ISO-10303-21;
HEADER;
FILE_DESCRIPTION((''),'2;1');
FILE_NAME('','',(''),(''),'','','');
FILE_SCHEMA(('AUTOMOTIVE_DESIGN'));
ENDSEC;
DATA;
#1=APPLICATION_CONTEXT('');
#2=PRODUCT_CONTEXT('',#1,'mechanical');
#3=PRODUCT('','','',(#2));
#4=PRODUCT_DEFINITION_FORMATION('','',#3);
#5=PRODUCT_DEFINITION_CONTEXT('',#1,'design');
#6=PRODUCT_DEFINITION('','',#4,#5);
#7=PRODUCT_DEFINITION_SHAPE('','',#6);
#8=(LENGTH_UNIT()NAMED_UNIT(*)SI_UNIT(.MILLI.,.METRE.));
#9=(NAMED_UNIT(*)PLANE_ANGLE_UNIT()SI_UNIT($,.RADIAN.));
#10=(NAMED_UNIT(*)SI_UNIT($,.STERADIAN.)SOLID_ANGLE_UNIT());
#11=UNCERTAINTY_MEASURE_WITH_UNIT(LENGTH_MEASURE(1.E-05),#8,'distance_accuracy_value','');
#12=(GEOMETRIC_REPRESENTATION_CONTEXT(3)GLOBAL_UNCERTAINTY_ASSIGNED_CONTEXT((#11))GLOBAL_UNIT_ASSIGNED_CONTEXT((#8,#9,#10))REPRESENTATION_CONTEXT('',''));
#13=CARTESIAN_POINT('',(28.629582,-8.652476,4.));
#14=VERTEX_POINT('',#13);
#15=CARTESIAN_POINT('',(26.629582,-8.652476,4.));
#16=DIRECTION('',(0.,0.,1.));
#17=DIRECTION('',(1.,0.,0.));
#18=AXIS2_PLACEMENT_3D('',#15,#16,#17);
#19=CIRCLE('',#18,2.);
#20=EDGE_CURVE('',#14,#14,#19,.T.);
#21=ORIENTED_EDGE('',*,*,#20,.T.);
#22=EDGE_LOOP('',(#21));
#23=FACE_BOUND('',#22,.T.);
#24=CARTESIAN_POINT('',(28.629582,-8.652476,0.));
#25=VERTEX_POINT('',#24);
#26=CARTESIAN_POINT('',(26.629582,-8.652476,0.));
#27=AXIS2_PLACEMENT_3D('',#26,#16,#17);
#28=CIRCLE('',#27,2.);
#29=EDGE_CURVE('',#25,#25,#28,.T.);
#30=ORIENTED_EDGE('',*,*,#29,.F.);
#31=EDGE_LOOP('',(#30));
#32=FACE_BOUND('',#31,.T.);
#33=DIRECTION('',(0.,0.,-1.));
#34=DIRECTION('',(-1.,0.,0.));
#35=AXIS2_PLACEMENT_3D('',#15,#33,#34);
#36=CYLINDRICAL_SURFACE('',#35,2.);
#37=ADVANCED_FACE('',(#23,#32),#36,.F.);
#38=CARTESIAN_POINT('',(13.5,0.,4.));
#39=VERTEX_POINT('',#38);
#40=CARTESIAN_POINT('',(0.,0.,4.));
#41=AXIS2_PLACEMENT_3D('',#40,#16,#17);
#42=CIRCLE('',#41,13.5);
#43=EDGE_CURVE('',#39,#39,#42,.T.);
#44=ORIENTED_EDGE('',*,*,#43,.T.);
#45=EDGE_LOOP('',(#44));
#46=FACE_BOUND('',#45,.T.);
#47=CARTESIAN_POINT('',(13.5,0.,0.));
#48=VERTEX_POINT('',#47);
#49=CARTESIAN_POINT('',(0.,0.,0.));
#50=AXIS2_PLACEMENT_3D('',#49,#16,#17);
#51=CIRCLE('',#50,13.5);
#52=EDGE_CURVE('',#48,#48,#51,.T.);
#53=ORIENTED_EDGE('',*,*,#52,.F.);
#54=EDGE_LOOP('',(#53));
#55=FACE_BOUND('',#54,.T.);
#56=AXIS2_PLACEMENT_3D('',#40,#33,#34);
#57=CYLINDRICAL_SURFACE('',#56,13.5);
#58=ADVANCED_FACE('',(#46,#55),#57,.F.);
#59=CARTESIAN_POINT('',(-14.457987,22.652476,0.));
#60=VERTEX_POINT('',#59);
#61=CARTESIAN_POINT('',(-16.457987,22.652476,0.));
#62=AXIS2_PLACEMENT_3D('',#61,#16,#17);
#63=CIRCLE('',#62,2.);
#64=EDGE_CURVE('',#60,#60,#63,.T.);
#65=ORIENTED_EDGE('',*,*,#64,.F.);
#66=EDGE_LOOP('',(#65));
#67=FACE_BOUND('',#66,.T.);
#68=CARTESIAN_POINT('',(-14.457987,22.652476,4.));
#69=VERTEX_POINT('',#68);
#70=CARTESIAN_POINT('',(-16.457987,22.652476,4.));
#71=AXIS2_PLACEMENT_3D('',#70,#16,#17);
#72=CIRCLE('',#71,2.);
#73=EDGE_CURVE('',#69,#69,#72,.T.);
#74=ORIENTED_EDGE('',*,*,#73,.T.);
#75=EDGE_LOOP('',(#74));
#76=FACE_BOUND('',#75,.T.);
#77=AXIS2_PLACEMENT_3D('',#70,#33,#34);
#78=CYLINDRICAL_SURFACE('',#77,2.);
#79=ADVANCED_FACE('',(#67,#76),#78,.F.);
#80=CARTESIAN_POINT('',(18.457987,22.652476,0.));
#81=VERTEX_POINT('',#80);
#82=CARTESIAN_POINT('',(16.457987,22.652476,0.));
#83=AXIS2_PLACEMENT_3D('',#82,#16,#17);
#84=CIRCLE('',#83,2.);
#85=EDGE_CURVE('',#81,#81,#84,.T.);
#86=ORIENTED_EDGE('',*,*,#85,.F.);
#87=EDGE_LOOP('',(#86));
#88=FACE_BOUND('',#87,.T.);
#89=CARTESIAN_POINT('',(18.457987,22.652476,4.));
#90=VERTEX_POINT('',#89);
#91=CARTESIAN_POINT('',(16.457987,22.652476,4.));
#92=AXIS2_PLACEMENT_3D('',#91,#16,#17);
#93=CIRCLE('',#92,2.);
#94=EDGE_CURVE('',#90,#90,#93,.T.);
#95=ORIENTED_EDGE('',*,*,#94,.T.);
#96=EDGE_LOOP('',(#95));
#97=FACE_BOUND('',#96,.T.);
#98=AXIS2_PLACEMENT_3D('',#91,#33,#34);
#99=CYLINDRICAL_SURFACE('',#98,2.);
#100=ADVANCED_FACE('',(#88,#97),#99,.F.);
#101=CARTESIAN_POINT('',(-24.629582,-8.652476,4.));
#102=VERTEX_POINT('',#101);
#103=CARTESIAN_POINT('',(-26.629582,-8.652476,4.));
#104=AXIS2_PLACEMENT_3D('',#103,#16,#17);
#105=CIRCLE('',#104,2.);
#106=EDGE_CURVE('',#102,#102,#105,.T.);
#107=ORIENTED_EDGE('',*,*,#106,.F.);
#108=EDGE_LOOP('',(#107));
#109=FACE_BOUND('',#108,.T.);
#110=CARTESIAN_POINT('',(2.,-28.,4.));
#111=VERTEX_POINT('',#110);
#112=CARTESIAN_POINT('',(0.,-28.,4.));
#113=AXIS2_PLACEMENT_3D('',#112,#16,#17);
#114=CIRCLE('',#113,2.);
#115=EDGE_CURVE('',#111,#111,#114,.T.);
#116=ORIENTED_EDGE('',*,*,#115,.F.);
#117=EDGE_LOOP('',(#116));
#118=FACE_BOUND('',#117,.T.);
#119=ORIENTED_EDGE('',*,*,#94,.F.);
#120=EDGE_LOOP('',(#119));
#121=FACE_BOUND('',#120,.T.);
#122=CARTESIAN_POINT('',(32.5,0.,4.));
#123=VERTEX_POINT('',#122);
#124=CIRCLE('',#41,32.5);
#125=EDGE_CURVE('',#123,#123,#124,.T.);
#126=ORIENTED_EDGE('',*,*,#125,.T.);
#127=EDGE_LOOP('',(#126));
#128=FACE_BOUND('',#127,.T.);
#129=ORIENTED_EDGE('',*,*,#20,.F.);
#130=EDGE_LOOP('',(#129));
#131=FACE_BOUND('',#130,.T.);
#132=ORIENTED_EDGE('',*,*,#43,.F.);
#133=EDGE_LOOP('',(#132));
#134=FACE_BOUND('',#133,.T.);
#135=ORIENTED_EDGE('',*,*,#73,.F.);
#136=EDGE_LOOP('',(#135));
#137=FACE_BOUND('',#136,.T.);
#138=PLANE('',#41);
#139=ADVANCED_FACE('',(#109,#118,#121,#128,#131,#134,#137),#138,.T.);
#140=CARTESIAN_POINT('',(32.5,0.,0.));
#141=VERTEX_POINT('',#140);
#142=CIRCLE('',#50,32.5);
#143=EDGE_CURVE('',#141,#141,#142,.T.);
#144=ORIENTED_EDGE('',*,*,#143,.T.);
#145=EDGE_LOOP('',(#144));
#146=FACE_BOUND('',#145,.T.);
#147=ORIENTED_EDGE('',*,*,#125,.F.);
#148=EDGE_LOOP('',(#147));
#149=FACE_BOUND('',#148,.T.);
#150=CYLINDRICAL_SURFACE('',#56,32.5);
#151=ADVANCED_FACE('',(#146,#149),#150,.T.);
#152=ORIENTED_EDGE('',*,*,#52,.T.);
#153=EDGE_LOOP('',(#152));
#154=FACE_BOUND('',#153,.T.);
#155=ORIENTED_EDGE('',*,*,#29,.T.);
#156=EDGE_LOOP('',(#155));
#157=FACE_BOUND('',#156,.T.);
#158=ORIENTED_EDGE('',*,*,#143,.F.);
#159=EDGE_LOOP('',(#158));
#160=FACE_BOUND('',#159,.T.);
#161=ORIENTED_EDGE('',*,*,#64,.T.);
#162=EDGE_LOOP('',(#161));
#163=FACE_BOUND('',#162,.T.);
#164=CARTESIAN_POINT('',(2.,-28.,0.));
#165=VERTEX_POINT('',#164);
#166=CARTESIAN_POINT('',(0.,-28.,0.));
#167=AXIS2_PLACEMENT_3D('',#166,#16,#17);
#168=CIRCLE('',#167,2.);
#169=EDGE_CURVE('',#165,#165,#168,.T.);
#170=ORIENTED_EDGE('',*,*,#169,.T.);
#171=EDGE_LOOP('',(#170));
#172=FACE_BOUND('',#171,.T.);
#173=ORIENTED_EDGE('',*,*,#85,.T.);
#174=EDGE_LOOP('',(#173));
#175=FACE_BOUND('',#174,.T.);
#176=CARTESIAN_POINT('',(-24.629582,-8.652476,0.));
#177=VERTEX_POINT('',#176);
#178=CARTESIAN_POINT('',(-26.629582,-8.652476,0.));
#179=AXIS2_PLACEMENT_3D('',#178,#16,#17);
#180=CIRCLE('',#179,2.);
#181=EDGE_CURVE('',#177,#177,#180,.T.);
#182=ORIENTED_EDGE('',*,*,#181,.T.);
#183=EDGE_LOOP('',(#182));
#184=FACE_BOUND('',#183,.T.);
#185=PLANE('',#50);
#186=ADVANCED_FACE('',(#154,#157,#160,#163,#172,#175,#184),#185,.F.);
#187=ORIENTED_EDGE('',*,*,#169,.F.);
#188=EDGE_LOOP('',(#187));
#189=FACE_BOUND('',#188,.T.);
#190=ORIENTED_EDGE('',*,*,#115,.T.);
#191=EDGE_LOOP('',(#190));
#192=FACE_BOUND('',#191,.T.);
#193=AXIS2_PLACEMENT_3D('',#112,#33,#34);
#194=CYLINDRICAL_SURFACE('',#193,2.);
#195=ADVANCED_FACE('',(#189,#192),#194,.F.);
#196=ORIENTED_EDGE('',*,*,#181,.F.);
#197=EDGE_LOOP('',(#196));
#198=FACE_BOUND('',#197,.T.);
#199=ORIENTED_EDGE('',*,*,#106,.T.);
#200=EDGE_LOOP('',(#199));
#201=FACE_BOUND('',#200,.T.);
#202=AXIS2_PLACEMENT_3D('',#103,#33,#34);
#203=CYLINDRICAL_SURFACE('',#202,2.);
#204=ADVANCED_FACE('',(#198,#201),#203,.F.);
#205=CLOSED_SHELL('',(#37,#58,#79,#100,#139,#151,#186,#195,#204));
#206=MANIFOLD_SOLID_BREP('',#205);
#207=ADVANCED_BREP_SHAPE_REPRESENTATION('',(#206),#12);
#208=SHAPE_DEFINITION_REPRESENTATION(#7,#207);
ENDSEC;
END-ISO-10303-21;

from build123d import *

# Parameters (mm, degrees)
SKETCH_1_R      = 32.5
SKETCH_1_R_2    = 13.5
SKETCH_1_R_3    = 2
EXTRUDE_1_DEPTH = 4


with BuildPart() as part:
    # 草图1 → 凸台-拉伸1 (new body)
    with BuildSketch(Plane.XY):
        Circle(SKETCH_1_R)
        Circle(SKETCH_1_R_2, mode=Mode.SUBTRACT)
        with Locations((0, -28)):
            Circle(SKETCH_1_R_3, mode=Mode.SUBTRACT)
        with Locations((-26.629582456, -8.652475842)):
            Circle(SKETCH_1_R_3, mode=Mode.SUBTRACT)
        with Locations((-16.457987064, 22.652475842)):
            Circle(SKETCH_1_R_3, mode=Mode.SUBTRACT)
        with Locations((16.457987064, 22.652475842)):
            Circle(SKETCH_1_R_3, mode=Mode.SUBTRACT)
        with Locations((26.629582456, -8.652475842)):
            Circle(SKETCH_1_R_3, mode=Mode.SUBTRACT)
    extrude(amount=EXTRUDE_1_DEPTH)


solid = part.part
